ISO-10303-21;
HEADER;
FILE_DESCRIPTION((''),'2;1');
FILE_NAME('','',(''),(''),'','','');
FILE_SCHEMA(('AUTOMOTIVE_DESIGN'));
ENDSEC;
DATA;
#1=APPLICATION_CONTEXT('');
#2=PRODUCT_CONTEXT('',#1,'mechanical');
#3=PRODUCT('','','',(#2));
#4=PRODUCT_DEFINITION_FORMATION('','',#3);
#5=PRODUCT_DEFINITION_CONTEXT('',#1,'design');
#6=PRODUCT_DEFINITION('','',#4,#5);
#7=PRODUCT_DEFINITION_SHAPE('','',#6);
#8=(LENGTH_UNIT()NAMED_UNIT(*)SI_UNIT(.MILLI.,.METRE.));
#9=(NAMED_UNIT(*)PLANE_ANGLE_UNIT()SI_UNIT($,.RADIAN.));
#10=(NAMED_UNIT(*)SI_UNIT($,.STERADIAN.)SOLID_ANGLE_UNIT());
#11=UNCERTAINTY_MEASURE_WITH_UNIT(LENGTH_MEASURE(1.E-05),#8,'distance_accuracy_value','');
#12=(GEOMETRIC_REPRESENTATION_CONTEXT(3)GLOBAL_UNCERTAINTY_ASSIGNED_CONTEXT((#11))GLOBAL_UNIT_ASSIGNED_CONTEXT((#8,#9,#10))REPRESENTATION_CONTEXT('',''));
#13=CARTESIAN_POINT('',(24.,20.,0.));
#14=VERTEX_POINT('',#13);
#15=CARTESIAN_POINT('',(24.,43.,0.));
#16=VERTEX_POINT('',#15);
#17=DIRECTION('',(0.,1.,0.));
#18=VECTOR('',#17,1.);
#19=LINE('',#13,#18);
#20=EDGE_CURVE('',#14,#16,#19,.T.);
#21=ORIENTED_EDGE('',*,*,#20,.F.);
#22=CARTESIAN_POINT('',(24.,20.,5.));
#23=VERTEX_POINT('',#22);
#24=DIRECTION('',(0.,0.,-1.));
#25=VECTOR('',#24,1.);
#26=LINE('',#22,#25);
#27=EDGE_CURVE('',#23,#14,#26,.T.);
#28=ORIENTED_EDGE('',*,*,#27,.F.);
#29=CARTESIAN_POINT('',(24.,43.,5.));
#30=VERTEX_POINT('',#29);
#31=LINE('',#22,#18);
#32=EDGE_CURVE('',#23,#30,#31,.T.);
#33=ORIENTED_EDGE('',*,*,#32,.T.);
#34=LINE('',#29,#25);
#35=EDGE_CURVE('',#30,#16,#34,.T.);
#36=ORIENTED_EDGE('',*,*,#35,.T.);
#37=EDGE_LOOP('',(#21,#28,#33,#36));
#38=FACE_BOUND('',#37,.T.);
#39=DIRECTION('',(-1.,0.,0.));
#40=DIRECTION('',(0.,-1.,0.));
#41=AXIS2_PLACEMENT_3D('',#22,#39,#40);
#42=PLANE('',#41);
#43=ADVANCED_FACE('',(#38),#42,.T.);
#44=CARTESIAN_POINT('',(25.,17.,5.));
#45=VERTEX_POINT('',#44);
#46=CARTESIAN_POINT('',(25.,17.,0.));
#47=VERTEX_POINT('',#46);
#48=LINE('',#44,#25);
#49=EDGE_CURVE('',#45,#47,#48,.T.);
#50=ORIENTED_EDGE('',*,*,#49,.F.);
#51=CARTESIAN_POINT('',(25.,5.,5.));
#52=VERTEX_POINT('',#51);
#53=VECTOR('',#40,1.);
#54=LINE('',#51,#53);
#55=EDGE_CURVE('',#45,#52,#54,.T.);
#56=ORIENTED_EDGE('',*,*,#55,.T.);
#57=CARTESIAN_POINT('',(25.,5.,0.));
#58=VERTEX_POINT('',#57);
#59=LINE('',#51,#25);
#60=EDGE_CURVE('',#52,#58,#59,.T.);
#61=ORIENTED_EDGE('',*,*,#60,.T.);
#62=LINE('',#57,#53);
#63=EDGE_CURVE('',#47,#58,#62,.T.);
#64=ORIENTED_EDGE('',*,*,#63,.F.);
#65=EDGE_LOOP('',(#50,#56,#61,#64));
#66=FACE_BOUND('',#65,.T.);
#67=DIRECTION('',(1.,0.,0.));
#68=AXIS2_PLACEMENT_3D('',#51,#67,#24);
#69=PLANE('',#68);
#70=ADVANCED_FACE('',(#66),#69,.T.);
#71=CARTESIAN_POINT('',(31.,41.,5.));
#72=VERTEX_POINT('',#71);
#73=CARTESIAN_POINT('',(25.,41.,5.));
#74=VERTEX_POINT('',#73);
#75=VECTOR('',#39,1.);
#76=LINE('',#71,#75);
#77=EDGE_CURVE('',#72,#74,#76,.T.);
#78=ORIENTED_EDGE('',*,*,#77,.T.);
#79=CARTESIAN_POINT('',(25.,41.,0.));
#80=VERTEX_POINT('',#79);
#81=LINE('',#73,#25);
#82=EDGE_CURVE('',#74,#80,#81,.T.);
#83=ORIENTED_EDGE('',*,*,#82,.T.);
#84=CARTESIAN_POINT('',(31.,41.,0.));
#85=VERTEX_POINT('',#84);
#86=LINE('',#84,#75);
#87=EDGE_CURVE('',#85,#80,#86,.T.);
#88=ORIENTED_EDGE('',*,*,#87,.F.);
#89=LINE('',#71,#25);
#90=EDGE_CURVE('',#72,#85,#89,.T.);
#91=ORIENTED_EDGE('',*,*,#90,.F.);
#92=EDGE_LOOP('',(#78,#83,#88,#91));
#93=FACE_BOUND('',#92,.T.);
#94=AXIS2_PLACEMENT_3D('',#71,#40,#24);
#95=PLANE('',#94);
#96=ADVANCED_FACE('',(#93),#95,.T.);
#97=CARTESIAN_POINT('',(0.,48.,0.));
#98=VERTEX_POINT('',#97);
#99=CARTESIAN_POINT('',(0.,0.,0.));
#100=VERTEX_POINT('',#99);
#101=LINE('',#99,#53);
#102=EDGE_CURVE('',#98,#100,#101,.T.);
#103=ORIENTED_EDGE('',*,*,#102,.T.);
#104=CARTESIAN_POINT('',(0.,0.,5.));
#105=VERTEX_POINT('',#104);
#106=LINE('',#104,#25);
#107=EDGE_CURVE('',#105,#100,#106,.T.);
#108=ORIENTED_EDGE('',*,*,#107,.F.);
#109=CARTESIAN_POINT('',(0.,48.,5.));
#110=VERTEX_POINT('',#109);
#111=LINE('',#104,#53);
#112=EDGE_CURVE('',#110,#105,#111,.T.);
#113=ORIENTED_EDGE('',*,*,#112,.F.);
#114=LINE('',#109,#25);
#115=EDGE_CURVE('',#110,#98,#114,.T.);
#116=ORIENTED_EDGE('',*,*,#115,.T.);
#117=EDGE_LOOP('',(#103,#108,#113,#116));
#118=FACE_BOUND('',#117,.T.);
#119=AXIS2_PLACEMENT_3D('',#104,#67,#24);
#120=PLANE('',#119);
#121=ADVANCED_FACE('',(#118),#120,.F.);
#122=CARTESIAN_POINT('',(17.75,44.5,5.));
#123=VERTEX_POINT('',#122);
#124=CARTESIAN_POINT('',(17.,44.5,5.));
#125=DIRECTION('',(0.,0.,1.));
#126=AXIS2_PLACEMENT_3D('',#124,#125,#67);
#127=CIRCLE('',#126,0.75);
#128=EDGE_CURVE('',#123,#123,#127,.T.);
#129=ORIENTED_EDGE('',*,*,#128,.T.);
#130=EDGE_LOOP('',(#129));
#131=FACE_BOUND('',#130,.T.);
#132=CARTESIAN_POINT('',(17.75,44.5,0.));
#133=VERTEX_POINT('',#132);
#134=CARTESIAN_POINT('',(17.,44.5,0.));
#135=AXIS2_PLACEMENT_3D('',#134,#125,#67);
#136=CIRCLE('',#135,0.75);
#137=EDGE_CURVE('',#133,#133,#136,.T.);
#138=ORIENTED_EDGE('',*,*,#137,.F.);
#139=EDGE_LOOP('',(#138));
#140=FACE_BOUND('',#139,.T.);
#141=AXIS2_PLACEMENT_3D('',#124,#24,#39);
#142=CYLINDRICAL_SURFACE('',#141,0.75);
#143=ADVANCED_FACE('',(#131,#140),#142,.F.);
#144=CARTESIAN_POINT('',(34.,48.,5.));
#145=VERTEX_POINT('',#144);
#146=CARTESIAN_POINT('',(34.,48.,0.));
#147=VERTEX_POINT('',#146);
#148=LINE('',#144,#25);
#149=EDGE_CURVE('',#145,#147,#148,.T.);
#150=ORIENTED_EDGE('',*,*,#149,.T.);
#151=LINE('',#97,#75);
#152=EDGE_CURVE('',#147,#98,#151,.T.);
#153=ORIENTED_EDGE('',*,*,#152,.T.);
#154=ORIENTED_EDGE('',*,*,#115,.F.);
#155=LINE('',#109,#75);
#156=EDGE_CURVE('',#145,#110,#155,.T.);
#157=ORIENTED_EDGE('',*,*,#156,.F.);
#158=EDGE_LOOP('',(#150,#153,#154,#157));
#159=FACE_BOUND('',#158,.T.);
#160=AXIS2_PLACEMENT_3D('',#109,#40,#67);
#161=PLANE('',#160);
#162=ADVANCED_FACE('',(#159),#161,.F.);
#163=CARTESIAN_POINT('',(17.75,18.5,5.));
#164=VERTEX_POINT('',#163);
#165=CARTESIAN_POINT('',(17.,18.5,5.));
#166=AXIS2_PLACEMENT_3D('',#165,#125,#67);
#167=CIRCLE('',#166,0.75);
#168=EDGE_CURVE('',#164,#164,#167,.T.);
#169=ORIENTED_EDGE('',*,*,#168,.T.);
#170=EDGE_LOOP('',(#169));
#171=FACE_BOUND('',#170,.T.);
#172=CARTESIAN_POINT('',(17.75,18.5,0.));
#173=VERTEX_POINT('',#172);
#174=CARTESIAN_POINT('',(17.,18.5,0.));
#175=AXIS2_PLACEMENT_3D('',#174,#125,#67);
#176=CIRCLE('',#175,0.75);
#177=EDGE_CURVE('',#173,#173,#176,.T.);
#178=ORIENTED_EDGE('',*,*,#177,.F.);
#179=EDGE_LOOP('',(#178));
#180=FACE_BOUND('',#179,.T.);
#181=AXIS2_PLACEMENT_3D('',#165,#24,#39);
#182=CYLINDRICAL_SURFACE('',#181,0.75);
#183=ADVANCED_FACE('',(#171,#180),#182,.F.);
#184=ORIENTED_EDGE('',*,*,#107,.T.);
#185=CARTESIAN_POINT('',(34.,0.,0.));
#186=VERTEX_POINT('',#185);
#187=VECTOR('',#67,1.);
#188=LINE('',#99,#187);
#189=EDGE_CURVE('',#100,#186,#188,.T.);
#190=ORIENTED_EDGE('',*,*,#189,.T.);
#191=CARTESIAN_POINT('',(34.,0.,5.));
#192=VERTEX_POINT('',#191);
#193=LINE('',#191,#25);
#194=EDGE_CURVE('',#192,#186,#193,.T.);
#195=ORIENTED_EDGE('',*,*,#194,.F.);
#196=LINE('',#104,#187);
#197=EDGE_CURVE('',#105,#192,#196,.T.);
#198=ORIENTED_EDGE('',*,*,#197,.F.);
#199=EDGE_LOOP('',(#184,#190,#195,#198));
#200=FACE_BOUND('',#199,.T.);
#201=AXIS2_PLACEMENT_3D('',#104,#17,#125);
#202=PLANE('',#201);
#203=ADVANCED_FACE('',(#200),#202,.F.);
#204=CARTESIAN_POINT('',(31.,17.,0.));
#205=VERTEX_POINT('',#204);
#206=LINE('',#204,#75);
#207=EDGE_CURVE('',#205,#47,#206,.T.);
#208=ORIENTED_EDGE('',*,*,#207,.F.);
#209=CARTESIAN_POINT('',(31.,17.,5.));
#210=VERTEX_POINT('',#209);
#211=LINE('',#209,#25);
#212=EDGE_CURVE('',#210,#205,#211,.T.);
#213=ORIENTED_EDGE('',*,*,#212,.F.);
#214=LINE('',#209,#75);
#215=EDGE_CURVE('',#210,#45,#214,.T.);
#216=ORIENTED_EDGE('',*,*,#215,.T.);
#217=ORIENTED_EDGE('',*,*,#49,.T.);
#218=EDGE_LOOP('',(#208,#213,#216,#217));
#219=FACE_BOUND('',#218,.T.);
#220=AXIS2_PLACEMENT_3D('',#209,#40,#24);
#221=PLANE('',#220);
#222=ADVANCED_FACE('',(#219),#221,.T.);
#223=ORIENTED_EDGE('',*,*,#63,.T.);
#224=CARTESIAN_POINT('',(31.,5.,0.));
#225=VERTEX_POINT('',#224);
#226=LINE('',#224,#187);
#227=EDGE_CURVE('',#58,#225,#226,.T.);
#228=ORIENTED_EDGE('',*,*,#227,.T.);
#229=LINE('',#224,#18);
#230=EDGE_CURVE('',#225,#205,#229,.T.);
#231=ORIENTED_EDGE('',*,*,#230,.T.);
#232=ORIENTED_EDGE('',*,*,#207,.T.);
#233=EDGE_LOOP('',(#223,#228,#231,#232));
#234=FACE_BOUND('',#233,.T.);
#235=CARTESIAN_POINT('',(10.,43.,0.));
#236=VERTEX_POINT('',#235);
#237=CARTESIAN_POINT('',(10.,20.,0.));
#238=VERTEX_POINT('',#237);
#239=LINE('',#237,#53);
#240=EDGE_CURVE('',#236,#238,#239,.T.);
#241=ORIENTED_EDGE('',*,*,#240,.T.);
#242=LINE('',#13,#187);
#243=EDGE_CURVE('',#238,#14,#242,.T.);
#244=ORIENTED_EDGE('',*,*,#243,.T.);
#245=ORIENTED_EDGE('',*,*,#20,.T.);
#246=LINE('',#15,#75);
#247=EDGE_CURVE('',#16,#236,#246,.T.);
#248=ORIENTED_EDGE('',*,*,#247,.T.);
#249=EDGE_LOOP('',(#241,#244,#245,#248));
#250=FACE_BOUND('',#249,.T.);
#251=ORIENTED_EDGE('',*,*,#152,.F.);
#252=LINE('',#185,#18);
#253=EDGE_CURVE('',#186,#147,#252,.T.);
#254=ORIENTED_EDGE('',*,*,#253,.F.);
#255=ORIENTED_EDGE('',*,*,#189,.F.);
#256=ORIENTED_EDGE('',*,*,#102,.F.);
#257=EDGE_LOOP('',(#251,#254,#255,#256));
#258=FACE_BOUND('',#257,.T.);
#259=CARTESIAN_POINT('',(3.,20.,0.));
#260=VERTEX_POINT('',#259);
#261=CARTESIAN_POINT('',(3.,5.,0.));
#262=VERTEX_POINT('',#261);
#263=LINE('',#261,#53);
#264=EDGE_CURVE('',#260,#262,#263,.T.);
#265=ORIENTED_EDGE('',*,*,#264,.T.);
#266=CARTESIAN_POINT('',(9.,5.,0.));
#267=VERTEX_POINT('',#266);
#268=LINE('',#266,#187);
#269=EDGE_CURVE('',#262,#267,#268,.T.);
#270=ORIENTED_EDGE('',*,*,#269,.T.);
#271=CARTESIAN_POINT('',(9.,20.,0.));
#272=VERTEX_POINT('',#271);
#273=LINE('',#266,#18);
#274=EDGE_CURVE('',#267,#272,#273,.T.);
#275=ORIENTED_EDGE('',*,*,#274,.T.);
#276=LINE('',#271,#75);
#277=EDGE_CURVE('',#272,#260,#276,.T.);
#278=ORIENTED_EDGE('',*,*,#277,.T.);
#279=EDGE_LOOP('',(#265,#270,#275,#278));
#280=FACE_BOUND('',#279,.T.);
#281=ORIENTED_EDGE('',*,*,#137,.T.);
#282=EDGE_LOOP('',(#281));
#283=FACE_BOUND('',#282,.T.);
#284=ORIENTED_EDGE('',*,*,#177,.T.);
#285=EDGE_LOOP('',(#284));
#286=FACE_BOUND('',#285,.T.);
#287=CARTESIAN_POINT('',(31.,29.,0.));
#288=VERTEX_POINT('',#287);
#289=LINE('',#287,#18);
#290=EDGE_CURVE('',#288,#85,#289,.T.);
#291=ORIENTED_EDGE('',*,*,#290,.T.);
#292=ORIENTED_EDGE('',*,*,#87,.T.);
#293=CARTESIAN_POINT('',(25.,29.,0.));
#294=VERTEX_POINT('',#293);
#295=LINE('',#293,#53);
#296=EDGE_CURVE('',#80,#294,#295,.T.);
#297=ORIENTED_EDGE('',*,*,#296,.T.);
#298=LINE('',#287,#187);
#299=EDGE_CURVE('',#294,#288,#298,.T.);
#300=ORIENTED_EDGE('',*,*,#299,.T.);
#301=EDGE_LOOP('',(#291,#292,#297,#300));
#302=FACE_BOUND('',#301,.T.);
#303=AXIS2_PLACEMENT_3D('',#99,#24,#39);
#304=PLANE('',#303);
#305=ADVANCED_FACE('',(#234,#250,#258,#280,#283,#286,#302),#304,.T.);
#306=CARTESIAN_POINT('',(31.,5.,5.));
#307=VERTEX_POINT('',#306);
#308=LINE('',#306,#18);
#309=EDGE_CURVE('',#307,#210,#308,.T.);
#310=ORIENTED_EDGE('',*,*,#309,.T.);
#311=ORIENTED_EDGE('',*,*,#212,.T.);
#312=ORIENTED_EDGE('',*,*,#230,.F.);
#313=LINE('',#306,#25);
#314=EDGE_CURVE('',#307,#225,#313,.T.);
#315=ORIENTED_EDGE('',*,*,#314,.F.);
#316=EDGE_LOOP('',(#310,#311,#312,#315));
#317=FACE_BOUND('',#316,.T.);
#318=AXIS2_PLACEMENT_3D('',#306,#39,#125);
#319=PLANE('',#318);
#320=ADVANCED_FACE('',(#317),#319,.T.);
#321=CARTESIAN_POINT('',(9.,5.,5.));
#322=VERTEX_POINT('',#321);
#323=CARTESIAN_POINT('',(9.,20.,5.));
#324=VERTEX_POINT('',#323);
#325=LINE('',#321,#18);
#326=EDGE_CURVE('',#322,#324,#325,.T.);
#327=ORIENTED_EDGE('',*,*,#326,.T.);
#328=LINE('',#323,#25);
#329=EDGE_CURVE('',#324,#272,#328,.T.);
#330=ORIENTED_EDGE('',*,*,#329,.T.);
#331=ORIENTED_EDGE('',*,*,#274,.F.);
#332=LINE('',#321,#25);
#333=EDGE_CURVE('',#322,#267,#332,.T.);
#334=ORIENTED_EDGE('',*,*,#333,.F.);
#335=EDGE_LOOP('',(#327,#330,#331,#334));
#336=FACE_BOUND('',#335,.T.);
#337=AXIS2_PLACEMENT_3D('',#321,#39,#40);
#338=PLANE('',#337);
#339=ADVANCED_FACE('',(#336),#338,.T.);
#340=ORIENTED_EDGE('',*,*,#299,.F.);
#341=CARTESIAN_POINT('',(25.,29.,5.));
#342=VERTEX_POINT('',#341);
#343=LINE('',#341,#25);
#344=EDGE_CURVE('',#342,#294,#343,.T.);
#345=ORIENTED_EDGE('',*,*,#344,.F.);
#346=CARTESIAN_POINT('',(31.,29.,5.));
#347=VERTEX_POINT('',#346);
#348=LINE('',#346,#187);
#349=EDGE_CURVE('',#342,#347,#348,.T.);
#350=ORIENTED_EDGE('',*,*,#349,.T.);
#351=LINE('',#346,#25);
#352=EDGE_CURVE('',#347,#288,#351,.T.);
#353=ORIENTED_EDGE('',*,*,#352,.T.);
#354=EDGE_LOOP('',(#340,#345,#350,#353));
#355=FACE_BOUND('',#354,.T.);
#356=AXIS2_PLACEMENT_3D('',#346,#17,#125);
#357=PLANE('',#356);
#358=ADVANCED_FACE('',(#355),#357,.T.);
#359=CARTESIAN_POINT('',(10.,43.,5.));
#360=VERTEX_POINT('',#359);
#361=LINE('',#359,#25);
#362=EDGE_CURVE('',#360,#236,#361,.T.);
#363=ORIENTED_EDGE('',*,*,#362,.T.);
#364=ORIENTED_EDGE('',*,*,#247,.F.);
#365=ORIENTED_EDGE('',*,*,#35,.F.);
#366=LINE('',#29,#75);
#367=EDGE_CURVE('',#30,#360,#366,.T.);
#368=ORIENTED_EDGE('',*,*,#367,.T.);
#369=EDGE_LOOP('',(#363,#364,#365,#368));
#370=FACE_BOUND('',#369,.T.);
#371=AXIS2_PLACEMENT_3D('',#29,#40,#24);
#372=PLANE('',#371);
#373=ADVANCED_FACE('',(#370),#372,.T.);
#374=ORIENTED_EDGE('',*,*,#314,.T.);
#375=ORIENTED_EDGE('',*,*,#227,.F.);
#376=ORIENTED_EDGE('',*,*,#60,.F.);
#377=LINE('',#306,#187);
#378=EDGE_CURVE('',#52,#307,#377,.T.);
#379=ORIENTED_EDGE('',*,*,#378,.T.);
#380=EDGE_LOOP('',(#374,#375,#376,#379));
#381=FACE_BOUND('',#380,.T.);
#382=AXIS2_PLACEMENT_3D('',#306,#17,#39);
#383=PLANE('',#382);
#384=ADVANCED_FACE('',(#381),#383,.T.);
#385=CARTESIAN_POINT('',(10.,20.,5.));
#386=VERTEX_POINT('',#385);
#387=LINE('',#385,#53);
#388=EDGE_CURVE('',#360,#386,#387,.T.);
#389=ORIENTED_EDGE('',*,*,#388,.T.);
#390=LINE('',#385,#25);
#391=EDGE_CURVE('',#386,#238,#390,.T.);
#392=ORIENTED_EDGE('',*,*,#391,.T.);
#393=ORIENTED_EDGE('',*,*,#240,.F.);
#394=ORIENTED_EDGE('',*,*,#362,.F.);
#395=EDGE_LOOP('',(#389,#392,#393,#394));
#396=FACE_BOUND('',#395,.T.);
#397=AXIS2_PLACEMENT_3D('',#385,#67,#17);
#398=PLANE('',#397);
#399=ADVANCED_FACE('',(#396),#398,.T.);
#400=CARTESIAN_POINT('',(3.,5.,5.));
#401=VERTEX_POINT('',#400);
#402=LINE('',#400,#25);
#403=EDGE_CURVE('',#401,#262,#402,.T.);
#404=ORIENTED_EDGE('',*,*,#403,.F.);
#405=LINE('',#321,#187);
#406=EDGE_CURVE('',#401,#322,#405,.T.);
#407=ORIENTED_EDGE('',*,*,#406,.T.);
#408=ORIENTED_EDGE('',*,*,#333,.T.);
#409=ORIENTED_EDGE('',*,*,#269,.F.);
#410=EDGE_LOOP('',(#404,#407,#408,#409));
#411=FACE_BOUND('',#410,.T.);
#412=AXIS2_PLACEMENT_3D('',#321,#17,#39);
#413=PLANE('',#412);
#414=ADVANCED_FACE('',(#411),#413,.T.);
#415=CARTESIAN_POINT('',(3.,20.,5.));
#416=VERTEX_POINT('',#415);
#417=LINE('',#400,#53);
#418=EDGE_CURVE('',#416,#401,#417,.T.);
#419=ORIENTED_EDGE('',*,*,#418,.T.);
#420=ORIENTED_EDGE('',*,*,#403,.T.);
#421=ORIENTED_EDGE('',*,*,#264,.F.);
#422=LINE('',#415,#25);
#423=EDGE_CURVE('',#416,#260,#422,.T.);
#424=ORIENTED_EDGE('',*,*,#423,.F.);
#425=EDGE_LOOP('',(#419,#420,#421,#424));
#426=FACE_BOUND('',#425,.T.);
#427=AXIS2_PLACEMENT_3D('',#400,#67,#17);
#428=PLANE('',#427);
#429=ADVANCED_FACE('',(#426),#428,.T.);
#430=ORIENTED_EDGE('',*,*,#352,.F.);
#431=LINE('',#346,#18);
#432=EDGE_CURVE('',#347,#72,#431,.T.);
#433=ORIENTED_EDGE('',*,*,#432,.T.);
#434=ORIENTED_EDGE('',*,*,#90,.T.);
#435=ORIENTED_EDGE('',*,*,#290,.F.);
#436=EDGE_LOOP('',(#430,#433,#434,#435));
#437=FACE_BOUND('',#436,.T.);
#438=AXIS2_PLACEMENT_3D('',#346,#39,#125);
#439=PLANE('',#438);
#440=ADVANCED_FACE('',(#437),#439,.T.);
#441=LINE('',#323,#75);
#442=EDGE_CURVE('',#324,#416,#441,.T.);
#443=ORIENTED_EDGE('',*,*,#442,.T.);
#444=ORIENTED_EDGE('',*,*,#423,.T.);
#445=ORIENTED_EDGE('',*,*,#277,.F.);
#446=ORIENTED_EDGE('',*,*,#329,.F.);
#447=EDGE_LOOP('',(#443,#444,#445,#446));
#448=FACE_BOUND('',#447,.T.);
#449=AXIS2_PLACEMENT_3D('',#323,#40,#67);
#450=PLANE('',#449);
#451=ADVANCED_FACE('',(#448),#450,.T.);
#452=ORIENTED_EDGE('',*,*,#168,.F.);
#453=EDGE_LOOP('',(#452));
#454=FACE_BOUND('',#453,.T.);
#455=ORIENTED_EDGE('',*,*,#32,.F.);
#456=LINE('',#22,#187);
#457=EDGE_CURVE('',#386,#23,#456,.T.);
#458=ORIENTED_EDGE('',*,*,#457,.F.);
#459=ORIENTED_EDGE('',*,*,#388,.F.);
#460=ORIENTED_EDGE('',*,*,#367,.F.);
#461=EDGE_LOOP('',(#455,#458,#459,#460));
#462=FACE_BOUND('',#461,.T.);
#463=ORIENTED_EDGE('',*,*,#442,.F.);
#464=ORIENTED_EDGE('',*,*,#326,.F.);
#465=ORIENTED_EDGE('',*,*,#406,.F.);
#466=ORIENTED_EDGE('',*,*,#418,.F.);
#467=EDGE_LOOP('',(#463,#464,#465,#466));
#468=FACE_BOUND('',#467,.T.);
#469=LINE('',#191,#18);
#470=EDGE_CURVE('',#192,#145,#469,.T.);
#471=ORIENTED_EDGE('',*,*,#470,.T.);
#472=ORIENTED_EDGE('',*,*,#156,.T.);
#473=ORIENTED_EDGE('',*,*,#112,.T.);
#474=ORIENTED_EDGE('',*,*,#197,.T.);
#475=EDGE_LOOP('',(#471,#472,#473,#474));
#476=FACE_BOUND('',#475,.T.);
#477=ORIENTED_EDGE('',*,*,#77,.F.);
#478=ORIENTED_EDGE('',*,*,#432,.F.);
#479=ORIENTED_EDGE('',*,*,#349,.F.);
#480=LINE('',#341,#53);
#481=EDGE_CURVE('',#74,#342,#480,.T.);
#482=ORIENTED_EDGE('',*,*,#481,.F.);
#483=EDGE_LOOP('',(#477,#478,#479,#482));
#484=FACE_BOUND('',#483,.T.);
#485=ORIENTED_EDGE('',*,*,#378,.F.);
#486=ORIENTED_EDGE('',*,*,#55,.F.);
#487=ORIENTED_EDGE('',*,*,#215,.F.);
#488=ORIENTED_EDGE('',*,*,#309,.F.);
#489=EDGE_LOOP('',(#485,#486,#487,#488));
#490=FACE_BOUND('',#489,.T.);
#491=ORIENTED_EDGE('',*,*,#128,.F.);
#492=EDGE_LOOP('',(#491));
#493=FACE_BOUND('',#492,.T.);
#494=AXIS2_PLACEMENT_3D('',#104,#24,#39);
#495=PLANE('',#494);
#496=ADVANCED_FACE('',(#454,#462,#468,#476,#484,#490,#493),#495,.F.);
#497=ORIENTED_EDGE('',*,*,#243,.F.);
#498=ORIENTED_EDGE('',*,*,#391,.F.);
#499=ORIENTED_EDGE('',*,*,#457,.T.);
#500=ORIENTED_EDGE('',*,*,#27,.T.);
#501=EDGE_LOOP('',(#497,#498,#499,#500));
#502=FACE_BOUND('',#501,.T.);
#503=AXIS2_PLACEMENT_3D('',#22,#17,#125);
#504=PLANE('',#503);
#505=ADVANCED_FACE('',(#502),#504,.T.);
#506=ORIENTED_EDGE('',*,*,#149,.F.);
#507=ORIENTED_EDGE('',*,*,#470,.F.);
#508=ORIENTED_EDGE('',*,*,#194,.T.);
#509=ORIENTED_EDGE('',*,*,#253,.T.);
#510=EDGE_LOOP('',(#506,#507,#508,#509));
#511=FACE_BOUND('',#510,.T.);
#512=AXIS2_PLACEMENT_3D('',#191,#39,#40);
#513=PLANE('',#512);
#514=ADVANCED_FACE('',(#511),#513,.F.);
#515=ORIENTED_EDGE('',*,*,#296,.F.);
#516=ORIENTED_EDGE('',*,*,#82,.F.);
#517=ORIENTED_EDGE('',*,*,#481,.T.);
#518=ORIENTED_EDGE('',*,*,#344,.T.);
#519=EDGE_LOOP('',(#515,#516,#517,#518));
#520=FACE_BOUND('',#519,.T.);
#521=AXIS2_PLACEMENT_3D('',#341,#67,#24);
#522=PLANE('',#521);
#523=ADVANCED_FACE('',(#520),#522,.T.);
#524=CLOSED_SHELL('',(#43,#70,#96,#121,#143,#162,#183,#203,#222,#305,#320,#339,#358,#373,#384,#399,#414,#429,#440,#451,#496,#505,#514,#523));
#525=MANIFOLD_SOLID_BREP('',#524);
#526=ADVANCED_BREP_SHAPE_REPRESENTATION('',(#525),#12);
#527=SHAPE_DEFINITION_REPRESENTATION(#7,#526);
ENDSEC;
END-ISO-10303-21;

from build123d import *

# Parameters (mm, degrees)
CROQUIS1_W              = 34
CROQUIS1_H              = 48
CROQUIS1_R              = 0.75
CROQUIS1_W_2            = 14
CROQUIS1_H_2            = 23
CROQUIS1_W_3            = 6
CROQUIS1_H_3            = 12
CROQUIS1_H_4            = 15
SALIENTE_EXTRUIR1_DEPTH = 5


with BuildPart() as part:
    # Croquis1 → Saliente-Extruir1 (new body)
    with BuildSketch(Plane.XY):
        with Locations((17, 24)):
            Rectangle(CROQUIS1_W, CROQUIS1_H)
        with Locations((17, 18.5)):
            Circle(CROQUIS1_R, mode=Mode.SUBTRACT)
        with Locations((17, 44.5)):
            Circle(CROQUIS1_R, mode=Mode.SUBTRACT)
        with Locations((17, 31.5)):
            Rectangle(CROQUIS1_W_2, CROQUIS1_H_2, mode=Mode.SUBTRACT)
        with Locations((28, 11)):
            Rectangle(CROQUIS1_W_3, CROQUIS1_H_3, mode=Mode.SUBTRACT)
        with Locations((28, 35)):
            Rectangle(CROQUIS1_W_3, CROQUIS1_H_3, mode=Mode.SUBTRACT)
        with Locations((6, 12.5)):
            Rectangle(CROQUIS1_W_3, CROQUIS1_H_4, mode=Mode.SUBTRACT)
    extrude(amount=SALIENTE_EXTRUIR1_DEPTH)


solid = part.part
